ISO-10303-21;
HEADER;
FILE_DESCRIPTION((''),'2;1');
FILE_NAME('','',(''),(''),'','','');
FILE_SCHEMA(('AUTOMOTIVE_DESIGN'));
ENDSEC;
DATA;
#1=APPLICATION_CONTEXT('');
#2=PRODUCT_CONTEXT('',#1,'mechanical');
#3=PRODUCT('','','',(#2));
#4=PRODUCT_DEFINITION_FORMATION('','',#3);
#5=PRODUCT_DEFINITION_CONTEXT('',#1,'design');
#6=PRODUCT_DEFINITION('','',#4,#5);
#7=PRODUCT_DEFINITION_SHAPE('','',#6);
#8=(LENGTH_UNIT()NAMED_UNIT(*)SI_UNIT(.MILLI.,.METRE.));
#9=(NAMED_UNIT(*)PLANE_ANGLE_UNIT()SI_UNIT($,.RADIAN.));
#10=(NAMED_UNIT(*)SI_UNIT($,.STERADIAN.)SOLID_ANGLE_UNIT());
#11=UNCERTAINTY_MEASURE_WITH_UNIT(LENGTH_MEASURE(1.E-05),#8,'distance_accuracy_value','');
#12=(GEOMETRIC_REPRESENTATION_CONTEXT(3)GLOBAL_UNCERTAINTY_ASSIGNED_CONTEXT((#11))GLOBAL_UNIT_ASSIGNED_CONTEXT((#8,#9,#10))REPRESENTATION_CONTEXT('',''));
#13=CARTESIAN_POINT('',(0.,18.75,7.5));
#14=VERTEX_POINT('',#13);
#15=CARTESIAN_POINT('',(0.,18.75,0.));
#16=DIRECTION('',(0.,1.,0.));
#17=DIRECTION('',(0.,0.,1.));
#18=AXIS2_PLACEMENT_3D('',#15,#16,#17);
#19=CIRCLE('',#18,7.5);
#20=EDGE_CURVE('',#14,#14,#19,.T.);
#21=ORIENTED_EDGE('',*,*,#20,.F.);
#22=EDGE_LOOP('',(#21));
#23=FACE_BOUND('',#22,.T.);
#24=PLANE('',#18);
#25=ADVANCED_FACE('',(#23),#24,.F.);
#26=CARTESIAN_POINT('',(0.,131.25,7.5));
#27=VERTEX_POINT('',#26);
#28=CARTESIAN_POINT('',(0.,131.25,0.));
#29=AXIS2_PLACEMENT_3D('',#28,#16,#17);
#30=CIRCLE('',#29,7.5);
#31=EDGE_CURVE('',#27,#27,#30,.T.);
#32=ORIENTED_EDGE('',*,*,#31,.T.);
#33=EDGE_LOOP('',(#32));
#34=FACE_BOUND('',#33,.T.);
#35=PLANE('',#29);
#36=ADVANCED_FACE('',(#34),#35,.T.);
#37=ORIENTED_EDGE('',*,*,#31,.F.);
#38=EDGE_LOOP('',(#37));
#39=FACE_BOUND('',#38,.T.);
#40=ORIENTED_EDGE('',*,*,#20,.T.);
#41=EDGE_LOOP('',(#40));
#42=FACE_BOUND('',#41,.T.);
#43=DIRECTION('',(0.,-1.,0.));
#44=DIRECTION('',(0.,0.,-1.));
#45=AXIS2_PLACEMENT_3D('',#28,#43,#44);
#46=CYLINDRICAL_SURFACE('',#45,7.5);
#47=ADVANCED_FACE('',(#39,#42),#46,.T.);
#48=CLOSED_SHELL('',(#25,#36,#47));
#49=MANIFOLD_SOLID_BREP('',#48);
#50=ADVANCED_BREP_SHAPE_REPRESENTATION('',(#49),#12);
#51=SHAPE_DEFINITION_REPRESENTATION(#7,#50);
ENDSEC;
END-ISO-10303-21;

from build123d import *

# Parameters (mm, degrees)
SKETCH1_R           = 10
BOSS_EXTRUDE1_DEPTH = 150
SCALE1_SCALE        = 0.75


with BuildPart() as part:
    # Sketch1 → Boss-Extrude1 (new body)
    with BuildSketch(Plane(origin=(0, 0, 0), x_dir=(1, 0, 0), z_dir=(0, 1, 0))):
        with Locations(Location((0, 0, 0), (0, 0, 270))):
            Circle(SKETCH1_R)
    extrude(amount=BOSS_EXTRUDE1_DEPTH)


with BuildPart() as part_1:
    # Scale1: scaled about (0, 75, 0)
    add(part.part.scale(SCALE1_SCALE).moved(Location((0, 18.75, 0))))


solid = part_1.part
